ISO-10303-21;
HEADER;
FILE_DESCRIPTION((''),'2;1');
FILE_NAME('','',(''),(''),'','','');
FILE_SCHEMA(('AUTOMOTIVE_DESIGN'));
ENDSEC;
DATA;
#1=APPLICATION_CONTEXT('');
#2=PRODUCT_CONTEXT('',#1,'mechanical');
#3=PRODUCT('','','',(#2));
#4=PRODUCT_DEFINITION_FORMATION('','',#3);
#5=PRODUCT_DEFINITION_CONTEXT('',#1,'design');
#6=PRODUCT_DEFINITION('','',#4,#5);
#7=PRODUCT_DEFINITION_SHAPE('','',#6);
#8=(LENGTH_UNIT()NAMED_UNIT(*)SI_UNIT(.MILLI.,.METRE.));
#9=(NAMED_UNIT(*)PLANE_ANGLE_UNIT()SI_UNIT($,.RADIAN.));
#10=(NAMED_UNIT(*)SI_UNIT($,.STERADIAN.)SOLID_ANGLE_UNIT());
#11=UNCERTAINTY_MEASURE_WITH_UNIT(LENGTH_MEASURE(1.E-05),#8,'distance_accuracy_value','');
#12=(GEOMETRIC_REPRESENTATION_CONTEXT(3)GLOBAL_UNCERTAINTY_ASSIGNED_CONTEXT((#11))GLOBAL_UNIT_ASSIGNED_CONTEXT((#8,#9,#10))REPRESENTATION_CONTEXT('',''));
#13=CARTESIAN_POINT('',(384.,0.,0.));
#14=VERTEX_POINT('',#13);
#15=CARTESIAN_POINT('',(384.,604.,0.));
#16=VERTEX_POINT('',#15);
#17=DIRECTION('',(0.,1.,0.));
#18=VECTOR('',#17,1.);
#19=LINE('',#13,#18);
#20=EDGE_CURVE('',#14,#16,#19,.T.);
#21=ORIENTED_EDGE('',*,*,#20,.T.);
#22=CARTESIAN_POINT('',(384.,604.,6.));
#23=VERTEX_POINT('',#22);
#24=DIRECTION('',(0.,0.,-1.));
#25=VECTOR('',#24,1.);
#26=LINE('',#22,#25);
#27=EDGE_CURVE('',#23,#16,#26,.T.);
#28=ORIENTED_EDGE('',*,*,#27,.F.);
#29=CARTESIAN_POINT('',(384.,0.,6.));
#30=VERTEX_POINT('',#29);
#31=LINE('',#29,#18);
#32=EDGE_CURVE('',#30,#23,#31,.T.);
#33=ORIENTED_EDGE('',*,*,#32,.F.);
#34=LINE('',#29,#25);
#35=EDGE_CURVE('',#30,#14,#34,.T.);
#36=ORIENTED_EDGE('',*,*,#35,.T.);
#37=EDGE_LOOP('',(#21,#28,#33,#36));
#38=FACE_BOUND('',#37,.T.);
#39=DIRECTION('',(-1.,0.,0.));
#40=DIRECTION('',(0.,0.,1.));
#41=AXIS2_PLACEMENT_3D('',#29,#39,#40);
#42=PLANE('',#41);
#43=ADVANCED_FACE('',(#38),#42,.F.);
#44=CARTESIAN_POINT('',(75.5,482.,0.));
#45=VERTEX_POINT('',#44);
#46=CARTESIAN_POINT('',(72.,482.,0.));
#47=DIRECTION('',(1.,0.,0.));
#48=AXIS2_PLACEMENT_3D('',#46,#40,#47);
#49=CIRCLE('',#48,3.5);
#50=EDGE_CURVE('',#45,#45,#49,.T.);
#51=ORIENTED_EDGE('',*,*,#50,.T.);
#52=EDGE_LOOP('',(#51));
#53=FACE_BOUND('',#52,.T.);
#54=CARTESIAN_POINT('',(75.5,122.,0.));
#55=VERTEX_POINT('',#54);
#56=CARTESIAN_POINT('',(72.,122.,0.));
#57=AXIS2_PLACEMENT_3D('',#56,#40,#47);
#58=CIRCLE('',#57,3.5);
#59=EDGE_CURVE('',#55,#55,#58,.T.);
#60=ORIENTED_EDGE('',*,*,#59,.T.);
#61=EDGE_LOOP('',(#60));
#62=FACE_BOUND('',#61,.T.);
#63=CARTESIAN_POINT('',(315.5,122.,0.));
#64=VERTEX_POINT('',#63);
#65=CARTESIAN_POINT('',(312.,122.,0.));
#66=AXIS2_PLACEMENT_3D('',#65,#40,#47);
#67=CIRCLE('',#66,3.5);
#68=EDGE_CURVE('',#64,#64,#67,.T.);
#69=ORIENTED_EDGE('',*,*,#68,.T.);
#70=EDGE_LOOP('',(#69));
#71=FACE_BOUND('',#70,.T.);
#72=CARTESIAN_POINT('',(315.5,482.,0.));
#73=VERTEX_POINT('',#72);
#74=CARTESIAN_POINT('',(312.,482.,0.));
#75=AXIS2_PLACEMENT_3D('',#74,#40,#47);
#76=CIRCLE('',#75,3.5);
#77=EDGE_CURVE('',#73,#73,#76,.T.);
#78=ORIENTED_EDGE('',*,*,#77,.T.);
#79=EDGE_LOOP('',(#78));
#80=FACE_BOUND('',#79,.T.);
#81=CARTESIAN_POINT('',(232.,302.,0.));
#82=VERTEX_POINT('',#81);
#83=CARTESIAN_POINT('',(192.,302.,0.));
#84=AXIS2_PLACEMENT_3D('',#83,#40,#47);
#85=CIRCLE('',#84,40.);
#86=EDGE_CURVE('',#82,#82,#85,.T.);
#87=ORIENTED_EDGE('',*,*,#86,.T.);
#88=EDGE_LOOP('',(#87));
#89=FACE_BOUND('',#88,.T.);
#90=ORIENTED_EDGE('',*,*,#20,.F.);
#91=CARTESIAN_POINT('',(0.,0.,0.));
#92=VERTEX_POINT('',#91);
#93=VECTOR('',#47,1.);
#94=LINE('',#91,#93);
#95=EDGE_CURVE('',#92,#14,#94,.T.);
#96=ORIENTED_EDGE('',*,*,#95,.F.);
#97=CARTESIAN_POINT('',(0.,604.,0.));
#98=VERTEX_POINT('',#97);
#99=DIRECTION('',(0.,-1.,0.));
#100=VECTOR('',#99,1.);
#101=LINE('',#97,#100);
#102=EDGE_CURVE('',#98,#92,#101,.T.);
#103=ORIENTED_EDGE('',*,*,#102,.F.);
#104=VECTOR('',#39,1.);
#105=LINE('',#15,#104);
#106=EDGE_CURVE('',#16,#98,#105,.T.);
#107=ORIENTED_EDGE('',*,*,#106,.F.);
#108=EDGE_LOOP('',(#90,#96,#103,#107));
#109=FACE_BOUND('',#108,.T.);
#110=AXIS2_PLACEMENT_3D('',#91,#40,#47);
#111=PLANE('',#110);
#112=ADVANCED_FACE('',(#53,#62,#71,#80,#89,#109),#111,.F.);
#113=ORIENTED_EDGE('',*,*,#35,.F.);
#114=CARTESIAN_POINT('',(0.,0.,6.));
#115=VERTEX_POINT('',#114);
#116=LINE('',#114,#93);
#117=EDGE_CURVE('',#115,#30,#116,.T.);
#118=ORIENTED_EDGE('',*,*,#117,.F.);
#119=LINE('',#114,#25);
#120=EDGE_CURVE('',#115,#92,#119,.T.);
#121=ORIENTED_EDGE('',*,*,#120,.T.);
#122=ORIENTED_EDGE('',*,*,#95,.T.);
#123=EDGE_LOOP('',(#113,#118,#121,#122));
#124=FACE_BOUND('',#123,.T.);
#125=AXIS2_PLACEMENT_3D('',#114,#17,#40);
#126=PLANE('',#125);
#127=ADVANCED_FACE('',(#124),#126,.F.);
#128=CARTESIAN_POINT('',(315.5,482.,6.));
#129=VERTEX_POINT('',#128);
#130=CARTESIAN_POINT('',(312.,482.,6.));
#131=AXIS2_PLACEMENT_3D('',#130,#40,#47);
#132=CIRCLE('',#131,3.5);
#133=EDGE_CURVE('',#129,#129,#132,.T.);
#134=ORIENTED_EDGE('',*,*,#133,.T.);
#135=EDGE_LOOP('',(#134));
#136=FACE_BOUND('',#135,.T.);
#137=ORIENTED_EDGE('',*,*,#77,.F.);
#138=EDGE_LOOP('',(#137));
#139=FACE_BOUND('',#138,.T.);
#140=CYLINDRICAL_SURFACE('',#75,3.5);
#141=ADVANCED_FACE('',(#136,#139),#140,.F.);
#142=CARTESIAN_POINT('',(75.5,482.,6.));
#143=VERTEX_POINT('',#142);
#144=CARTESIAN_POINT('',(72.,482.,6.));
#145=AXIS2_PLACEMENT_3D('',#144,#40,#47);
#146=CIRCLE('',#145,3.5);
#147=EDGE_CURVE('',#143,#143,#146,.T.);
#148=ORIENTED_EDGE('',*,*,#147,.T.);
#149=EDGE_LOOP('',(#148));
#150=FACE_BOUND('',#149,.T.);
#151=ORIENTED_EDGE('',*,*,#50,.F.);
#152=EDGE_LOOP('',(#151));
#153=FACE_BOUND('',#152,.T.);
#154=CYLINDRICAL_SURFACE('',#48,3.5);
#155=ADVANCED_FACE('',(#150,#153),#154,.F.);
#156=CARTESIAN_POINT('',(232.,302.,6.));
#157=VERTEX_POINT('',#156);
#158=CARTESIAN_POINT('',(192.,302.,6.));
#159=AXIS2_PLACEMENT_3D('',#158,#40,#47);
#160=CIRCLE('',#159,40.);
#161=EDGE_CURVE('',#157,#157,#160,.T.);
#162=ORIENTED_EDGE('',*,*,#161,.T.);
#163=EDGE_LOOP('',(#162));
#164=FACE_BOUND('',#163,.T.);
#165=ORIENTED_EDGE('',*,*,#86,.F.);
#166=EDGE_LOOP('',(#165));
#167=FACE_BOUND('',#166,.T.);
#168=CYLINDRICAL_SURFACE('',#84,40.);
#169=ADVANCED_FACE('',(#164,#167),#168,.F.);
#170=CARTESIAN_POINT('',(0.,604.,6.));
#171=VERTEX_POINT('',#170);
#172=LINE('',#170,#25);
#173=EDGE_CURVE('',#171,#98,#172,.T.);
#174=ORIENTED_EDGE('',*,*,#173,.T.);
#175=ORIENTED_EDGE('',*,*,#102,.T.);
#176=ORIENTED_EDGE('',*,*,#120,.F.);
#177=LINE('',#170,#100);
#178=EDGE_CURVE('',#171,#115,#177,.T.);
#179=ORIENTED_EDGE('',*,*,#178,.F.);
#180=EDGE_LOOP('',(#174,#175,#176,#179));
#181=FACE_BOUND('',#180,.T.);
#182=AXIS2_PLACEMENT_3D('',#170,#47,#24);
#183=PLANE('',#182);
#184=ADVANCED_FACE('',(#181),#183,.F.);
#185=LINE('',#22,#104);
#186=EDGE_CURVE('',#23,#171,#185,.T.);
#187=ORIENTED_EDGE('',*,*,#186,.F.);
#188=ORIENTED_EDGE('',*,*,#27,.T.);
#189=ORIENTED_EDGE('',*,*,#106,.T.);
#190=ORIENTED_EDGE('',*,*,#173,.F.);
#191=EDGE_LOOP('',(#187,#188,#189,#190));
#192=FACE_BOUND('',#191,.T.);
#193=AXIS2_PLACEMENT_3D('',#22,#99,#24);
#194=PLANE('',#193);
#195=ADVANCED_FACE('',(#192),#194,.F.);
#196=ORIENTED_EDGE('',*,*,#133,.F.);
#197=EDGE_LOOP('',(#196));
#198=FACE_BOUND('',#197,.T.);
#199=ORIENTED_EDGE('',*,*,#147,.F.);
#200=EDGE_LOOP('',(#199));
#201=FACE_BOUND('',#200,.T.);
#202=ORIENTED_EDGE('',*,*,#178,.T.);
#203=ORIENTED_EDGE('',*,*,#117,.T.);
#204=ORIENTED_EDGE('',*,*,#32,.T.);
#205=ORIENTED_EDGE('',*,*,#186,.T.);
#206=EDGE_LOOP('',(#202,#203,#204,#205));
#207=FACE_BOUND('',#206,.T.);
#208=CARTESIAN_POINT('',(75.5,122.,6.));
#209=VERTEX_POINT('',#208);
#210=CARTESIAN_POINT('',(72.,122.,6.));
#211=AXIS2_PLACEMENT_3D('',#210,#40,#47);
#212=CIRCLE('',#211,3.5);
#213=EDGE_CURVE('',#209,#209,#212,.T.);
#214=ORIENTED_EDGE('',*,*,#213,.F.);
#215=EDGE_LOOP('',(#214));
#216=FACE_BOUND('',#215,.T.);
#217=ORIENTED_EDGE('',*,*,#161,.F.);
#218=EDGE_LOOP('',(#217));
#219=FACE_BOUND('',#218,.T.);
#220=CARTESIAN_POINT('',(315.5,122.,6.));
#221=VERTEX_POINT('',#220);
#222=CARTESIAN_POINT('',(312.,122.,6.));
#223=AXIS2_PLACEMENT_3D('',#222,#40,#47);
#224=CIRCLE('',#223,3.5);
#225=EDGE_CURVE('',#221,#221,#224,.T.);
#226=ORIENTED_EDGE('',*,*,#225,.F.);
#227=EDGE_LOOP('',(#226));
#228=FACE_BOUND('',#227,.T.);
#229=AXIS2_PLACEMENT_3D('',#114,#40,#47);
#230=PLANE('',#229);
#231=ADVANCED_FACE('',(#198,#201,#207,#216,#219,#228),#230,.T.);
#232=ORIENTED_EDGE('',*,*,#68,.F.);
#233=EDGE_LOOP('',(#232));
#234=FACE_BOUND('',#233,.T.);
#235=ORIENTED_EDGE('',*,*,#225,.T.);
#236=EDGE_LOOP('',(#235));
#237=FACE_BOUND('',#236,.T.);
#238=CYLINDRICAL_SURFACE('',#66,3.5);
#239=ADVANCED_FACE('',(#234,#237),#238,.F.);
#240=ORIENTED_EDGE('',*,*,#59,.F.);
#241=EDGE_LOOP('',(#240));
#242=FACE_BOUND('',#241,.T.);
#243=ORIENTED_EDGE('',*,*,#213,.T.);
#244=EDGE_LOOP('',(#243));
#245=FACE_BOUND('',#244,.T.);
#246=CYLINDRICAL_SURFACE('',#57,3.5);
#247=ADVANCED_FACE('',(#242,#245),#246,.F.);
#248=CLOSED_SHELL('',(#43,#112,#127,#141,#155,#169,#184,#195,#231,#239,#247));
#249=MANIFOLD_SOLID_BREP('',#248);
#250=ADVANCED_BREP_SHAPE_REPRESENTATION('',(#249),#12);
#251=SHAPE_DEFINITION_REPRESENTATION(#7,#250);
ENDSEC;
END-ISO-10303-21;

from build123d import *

# Parameters (mm, degrees)
SKETCH_1_W               = 384
SKETCH_1_H               = 604
RECESSED_TOP_SEAT_DEPTH  = 6
SKETCH_2_R               = 40
CENTRAL_ACCESS_DEPTH     = 716.756941985
SKETCH_3_R               = 3.5
FASTENER_CLEARANCE_DEPTH = 716.756941985
SKETCH_4_R               = 3.5
CUT_EXTRUDE_3_DEPTH      = 716.756941985
SKETCH_5_R               = 3.5
CUT_EXTRUDE_4_DEPTH      = 716.756941985
SKETCH_6_R               = 3.5
CUT_EXTRUDE_5_DEPTH      = 716.756941985


with BuildPart() as part:
    # 草图1 → Recessed_top_seat (new body)
    with BuildSketch(Plane.XY):
        with Locations((192, 302)):
            Rectangle(SKETCH_1_W, SKETCH_1_H)
    extrude(amount=RECESSED_TOP_SEAT_DEPTH)

    # 草图2 → Central_access (cut, through all)
    with BuildSketch(Plane.XY.offset(6)):
        with Locations((192, 302)):
            Circle(SKETCH_2_R)
    extrude(amount=-CENTRAL_ACCESS_DEPTH, mode=Mode.SUBTRACT)

    # 草图3 → Fastener_clearance (cut, through all)
    with BuildSketch(Plane.XY.offset(6)):
        with Locations((72, 122)):
            Circle(SKETCH_3_R)
    extrude(amount=-FASTENER_CLEARANCE_DEPTH, mode=Mode.SUBTRACT)

    # 草图4 → 切除-拉伸3 (cut, through all)
    with BuildSketch(Plane.XY.offset(6)):
        with Locations((72, 482)):
            Circle(SKETCH_4_R)
    extrude(amount=-CUT_EXTRUDE_3_DEPTH, mode=Mode.SUBTRACT)

    # 草图5 → 切除-拉伸4 (cut, through all)
    with BuildSketch(Plane.XY.offset(6)):
        with Locations((312, 122)):
            Circle(SKETCH_5_R)
    extrude(amount=-CUT_EXTRUDE_4_DEPTH, mode=Mode.SUBTRACT)

    # 草图6 → 切除-拉伸5 (cut, through all)
    with BuildSketch(Plane.XY.offset(6)):
        with Locations((312, 482)):
            Circle(SKETCH_6_R)
    extrude(amount=-CUT_EXTRUDE_5_DEPTH, mode=Mode.SUBTRACT)


solid = part.part
